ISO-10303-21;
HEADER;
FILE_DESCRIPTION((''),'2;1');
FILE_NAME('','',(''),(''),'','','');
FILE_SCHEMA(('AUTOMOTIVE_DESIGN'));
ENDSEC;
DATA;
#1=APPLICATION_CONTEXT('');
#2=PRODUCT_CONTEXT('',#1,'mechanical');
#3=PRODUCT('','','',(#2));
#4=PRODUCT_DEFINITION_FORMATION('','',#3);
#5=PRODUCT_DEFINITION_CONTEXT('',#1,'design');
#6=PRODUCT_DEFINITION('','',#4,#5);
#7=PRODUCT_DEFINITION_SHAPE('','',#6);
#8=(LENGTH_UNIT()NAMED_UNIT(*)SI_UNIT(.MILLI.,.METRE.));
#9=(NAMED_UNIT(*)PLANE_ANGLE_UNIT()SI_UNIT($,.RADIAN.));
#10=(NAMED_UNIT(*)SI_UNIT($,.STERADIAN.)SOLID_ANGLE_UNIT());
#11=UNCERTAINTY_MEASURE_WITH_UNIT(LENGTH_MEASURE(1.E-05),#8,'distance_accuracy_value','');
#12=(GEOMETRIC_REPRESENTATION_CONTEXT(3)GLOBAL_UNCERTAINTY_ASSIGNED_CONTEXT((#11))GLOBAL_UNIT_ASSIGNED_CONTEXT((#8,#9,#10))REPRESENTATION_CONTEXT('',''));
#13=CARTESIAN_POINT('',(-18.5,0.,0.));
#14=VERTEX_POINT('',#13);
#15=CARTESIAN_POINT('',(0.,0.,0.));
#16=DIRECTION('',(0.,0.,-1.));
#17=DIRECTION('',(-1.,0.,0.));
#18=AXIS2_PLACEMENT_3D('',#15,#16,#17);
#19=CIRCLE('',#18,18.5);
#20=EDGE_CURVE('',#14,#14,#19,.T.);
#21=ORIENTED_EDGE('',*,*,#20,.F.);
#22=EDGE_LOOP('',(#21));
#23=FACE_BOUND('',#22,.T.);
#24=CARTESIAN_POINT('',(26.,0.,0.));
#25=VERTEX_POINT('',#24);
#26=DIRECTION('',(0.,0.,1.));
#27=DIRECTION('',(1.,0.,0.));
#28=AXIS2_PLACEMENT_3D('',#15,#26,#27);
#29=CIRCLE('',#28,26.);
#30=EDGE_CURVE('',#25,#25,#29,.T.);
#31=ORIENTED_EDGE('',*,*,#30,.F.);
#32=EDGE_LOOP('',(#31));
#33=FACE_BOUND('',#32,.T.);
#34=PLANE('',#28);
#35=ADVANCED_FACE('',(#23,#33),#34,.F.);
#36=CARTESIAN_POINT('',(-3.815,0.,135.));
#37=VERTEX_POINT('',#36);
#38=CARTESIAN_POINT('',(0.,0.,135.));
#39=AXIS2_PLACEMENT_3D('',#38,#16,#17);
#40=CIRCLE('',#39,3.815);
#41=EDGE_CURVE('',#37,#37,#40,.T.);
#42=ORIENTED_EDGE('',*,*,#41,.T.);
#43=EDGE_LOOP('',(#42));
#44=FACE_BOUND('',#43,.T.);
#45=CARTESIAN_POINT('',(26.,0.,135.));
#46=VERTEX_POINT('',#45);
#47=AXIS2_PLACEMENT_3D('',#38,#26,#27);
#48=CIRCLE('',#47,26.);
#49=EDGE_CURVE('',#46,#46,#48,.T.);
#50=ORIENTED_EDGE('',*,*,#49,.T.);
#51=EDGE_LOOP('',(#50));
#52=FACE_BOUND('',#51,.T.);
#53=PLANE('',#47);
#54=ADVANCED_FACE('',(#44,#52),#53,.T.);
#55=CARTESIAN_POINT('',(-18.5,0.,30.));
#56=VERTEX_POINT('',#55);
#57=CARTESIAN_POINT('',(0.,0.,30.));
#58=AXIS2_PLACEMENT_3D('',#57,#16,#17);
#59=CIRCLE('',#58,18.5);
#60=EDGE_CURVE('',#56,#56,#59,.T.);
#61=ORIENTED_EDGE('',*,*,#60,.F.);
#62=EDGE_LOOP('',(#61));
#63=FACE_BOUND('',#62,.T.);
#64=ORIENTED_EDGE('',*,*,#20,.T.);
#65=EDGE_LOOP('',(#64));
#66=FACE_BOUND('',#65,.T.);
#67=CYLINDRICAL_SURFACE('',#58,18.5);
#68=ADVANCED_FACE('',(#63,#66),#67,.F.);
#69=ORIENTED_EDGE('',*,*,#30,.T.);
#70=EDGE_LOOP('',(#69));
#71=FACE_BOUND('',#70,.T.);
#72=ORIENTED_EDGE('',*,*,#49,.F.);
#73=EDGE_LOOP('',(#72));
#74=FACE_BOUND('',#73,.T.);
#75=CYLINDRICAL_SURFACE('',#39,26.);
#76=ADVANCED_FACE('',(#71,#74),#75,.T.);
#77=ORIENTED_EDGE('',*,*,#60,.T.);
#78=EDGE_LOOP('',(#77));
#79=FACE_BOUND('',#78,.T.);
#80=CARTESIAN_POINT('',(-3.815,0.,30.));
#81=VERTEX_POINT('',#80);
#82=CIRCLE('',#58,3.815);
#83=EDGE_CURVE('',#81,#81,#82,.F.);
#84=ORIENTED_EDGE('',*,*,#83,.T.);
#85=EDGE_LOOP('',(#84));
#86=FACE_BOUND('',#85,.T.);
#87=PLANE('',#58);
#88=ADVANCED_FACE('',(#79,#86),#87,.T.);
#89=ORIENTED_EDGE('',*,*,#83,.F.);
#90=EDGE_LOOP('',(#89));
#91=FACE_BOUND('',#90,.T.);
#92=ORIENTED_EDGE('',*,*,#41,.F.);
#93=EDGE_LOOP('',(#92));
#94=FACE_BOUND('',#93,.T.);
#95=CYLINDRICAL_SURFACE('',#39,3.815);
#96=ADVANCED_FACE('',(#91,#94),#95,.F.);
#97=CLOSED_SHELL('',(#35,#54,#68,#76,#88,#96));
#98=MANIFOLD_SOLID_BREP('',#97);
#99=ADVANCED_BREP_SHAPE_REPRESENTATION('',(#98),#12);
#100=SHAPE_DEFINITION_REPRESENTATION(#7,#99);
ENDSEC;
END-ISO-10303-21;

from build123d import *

# Parameters (mm, degrees)
SKETCH2_R           = 26
BOSS_EXTRUDE1_DEPTH = 135
SKETCH3_R           = 3.815
CUT_EXTRUDE1_DEPTH  = 135
SKETCH5_R           = 18.5
CUT_EXTRUDE2_DEPTH  = 30


with BuildPart() as part:
    # Sketch2 → Boss-Extrude1 (new body)
    with BuildSketch(Plane.XY):
        Circle(SKETCH2_R)
    extrude(amount=BOSS_EXTRUDE1_DEPTH)

    # Sketch3 → Cut-Extrude1 (cut)
    with BuildSketch(Plane(origin=(0, 0, 0), x_dir=(-1, 0, 0), z_dir=(0, 0, -1))):
        Circle(SKETCH3_R)
    extrude(amount=-CUT_EXTRUDE1_DEPTH, mode=Mode.SUBTRACT)

    # Sketch5 → Cut-Extrude2 (cut)
    with BuildSketch(Plane(origin=(0, 0, 0), x_dir=(-1, 0, 0), z_dir=(0, 0, -1))):
        Circle(SKETCH5_R)
    extrude(amount=-CUT_EXTRUDE2_DEPTH, mode=Mode.SUBTRACT)


solid = part.part
